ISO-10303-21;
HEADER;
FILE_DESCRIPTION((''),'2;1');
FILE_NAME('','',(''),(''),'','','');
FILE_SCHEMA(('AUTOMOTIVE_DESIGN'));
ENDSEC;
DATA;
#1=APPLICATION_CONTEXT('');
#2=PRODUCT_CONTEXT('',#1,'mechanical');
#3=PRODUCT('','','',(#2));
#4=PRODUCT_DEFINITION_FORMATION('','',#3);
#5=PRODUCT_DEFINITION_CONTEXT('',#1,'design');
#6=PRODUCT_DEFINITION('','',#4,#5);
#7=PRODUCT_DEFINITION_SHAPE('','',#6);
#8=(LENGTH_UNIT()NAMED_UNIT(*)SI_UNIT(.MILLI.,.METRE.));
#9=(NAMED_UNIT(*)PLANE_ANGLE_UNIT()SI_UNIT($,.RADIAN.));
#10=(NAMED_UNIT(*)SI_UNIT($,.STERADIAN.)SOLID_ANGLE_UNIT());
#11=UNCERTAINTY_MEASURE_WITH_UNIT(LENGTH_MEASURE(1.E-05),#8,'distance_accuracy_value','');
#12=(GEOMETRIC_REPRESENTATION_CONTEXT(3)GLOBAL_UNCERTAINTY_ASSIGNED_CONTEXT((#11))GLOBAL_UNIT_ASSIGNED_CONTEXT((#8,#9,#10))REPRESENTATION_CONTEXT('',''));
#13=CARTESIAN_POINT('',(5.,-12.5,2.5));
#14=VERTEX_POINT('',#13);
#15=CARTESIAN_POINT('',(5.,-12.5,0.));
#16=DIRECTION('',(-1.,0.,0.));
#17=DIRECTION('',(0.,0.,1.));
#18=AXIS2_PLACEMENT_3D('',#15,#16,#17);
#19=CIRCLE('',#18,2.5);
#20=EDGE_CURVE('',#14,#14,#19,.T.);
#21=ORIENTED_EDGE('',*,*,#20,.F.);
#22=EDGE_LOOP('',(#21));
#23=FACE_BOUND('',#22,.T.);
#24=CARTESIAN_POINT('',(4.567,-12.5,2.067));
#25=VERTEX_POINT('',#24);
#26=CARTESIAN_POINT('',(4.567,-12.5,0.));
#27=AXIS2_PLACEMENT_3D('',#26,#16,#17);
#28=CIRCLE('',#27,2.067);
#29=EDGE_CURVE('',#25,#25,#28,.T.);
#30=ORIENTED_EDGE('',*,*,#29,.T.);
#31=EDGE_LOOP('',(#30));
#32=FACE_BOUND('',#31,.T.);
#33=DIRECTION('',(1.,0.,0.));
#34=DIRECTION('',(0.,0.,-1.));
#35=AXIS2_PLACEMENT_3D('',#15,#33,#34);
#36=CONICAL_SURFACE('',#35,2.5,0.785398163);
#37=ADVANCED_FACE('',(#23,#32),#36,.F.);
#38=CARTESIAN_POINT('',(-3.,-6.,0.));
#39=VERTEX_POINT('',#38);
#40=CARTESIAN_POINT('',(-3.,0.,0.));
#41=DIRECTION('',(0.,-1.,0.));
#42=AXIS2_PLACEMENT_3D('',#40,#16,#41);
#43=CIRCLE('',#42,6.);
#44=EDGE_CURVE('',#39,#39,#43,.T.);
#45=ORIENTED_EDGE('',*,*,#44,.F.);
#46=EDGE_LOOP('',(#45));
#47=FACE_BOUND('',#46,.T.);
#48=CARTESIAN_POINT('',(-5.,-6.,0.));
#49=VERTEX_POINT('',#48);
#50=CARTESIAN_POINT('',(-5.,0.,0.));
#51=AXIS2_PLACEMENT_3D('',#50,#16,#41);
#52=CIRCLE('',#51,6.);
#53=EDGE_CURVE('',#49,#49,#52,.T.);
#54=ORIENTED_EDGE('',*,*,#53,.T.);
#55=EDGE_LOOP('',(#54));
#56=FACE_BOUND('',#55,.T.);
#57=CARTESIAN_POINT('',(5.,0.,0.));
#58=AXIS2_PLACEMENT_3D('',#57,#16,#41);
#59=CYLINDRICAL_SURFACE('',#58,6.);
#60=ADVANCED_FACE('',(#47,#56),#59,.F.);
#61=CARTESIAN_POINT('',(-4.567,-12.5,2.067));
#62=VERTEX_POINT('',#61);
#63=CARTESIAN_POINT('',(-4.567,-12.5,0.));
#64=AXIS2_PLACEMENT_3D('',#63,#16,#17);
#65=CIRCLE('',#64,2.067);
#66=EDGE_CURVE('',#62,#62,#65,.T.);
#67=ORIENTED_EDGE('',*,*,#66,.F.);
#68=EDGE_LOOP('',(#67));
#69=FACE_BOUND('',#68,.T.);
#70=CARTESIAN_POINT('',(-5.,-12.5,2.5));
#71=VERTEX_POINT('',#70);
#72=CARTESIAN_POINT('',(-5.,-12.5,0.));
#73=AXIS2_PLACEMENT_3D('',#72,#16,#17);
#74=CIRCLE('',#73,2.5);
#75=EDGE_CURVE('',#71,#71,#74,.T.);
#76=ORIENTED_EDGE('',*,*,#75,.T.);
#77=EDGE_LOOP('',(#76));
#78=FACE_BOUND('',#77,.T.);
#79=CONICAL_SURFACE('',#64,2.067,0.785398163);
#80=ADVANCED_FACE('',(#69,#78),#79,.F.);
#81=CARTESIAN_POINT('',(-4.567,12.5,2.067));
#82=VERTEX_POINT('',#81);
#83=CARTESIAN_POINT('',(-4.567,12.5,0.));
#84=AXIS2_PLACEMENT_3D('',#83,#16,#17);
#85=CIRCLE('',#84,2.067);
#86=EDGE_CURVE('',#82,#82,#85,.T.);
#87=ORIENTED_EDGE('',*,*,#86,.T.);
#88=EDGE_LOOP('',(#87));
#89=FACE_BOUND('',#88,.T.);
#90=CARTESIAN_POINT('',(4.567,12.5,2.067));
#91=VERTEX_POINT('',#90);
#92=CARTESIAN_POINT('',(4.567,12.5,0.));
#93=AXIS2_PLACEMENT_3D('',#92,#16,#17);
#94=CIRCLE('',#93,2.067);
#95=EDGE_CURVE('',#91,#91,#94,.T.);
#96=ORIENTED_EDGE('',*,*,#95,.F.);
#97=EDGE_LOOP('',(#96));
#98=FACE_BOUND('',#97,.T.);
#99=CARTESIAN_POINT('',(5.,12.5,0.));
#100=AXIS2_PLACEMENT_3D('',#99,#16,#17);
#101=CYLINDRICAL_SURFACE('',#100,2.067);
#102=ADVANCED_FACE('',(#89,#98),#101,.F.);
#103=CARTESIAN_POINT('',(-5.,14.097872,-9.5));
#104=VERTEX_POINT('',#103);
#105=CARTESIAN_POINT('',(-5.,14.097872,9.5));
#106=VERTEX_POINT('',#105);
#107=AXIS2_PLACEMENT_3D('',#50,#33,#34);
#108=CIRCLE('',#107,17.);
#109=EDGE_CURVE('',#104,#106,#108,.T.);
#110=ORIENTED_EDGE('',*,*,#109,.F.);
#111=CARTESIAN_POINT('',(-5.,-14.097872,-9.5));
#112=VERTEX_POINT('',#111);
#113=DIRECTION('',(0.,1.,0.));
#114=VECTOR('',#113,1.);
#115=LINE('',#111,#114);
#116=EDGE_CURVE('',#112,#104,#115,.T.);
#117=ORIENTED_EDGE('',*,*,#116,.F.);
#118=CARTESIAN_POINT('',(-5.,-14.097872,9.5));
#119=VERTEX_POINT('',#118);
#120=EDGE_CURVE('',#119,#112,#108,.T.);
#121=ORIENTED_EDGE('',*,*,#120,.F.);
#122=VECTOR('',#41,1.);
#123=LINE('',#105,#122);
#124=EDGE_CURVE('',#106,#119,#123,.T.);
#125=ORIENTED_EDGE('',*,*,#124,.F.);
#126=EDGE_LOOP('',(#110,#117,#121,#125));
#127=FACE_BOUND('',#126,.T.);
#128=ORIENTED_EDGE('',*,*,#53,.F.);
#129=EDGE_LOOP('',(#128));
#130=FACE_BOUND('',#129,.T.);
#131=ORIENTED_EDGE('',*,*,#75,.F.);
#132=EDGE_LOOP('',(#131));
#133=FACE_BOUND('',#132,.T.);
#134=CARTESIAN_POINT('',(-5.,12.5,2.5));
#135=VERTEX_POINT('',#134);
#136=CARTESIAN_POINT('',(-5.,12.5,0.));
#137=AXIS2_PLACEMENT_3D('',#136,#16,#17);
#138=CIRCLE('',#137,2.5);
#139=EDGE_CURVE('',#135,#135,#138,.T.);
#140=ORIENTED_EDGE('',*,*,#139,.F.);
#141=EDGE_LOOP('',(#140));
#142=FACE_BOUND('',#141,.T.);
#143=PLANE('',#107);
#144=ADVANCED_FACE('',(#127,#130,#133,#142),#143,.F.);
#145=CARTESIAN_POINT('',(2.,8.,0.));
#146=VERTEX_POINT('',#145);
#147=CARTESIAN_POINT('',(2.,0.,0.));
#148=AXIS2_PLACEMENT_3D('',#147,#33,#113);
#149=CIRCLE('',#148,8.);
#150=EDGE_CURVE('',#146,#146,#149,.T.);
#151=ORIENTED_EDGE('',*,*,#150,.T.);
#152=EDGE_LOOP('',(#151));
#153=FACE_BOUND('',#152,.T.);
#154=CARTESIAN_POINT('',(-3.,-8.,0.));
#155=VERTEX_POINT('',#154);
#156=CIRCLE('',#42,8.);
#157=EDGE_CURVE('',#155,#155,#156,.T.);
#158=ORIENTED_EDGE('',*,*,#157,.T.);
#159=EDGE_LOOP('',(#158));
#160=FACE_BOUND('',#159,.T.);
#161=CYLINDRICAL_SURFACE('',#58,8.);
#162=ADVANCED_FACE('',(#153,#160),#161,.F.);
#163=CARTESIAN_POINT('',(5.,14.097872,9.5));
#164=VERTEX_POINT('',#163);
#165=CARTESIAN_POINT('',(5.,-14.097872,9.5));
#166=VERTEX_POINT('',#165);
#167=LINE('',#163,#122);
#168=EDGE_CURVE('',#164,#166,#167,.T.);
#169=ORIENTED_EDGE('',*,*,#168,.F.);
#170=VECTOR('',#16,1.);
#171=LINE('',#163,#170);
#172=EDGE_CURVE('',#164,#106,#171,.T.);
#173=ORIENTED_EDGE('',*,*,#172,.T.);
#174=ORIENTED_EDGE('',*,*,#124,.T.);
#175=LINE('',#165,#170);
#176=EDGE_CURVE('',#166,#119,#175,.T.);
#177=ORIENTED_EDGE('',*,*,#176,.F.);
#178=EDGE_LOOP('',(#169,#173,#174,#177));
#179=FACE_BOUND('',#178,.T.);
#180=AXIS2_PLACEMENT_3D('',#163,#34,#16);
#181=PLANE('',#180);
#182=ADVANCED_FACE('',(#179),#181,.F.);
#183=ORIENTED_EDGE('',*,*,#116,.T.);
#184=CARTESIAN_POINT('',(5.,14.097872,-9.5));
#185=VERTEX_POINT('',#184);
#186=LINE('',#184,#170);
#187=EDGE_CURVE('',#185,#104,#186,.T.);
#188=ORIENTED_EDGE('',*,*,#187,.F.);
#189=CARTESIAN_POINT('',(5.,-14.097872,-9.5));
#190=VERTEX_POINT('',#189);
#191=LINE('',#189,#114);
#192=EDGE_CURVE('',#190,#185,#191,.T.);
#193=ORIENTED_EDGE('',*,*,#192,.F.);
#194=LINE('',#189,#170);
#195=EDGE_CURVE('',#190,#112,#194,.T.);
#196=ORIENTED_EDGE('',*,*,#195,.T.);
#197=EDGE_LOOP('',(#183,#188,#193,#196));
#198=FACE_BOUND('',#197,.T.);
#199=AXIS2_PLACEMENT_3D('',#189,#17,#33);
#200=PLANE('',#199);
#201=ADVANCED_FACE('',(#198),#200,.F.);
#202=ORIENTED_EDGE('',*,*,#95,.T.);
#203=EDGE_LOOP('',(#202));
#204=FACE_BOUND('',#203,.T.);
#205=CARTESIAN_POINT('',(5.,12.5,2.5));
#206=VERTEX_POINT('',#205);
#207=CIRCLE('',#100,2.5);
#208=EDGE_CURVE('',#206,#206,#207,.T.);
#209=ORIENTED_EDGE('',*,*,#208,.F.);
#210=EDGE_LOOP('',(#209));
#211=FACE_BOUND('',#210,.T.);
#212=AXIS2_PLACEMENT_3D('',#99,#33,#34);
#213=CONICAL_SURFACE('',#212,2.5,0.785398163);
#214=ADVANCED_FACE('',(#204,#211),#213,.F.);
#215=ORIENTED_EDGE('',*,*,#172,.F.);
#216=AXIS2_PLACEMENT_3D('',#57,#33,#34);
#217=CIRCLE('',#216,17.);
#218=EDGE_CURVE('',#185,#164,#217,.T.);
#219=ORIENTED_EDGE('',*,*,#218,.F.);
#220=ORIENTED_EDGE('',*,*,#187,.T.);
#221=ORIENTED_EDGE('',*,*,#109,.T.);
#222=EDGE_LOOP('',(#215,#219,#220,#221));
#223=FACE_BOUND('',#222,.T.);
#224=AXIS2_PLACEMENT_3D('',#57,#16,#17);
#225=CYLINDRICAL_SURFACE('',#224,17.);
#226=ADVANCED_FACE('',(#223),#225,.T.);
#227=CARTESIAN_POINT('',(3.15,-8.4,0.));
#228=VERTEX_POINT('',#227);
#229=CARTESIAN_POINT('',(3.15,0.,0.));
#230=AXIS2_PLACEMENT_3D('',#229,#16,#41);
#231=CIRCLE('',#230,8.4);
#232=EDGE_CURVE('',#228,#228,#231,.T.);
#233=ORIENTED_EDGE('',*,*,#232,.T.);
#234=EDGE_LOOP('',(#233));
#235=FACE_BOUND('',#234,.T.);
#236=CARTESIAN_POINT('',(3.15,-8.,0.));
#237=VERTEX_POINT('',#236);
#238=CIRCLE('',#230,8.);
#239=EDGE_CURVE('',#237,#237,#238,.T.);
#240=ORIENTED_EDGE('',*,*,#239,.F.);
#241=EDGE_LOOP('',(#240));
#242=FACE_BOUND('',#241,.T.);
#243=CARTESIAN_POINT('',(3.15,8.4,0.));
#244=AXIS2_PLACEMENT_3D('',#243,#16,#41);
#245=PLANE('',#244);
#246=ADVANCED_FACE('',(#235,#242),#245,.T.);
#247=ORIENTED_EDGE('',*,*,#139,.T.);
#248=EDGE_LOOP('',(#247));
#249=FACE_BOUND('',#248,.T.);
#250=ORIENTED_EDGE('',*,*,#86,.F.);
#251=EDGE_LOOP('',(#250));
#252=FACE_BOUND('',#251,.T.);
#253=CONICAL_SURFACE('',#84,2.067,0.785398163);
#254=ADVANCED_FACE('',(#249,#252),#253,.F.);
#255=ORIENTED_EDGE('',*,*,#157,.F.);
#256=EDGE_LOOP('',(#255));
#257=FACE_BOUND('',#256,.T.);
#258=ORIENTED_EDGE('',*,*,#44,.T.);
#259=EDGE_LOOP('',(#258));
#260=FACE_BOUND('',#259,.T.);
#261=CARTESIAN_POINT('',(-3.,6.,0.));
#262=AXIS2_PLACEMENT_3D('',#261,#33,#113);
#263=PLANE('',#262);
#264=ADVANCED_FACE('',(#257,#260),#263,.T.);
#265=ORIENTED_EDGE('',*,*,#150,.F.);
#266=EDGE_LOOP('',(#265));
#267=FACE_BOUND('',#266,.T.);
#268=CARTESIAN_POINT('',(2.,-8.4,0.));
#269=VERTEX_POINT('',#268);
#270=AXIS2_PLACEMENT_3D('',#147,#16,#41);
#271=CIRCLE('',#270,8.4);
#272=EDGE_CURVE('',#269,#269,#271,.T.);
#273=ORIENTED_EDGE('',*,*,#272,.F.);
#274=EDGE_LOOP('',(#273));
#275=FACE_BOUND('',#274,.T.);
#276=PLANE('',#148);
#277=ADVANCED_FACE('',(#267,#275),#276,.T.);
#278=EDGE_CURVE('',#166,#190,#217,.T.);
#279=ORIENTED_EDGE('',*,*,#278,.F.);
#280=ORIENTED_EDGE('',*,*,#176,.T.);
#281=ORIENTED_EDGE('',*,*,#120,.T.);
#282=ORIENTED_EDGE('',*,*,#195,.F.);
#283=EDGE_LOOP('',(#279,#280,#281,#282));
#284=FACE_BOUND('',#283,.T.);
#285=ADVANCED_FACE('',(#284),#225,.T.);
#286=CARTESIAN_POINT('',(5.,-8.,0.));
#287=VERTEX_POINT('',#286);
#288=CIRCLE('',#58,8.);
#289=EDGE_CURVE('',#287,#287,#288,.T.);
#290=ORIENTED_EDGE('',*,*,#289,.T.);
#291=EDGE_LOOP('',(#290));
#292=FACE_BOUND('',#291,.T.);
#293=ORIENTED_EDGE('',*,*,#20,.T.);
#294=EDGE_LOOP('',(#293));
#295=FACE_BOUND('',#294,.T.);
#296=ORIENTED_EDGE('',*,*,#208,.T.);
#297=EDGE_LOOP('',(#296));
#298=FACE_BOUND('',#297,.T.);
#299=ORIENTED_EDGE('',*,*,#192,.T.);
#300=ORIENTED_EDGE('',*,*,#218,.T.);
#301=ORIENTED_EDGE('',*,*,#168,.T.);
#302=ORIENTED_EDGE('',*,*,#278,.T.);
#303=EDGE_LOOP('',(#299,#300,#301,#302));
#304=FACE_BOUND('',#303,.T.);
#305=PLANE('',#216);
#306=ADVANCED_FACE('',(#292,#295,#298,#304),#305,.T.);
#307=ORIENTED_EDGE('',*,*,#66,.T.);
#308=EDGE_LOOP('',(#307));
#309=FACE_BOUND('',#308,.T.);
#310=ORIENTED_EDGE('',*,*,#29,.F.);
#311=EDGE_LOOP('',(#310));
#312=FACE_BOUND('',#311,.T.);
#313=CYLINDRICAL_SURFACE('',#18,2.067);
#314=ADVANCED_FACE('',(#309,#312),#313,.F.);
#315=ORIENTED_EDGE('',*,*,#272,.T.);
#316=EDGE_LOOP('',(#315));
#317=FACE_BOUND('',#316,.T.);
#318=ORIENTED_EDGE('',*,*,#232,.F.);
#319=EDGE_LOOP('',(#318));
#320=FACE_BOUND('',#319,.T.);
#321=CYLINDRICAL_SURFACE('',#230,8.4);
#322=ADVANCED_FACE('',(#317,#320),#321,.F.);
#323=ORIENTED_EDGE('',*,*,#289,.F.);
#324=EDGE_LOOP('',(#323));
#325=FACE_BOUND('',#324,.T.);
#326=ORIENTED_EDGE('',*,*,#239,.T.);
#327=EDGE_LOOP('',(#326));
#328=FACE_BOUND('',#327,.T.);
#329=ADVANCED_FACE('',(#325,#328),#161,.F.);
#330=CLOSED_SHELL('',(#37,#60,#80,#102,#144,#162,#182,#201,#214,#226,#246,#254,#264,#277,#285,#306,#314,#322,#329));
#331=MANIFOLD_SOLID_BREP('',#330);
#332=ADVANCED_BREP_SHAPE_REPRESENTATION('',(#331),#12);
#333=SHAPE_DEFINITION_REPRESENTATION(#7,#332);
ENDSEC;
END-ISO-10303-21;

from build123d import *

# Parameters (mm, degrees)
BOSS_EXTRUDE1_DEPTH      = 5
BOSS_EXTRUDE1_DEPTH_BACK = 5
SKETCH3_W                = 1.15
SKETCH3_H                = 8.4


with BuildPart() as part:
    # Sketch1 → Boss-Extrude1 (new, two sides: drawn at the far end of the back side and taken through both)
    with BuildSketch(Plane(origin=(0, 0, 0), x_dir=(0, 0, -1), z_dir=(1, 0, 0)).offset(-BOSS_EXTRUDE1_DEPTH_BACK)):
        with BuildLine():
            Line((9.5, -14.09787218), (9.5, 14.09787218))
            ThreePointArc((9.5, 14.09787218), (0, 17), (-9.5, 14.09787218))
            Line((-9.5, 14.09787218), (-9.5, -14.09787218))
            ThreePointArc((-9.5, -14.09787218), (0, -17), (9.5, -14.09787218))
        make_face()
    extrude(amount=BOSS_EXTRUDE1_DEPTH + BOSS_EXTRUDE1_DEPTH_BACK)

    # Sketch2 → Cut-Revolve1 (revolve, cut)
    with BuildSketch(Plane.XY):
        Polygon((-5, 0), (-5, 6), (-3, 6), (-3, 8), (5, 8), (5, 0), align=None)
    revolve(axis=Axis((5, 0, 0), (-1, 0, 0)), mode=Mode.SUBTRACT)

    # Sketch3 → Cut-Revolve2 (revolve, cut)
    with BuildSketch(Plane.XY):
        with Locations((2.575, 4.2)):
            Rectangle(SKETCH3_W, SKETCH3_H)
    revolve(axis=Axis((3.15, 0, 0), (-1, 0, 0)), mode=Mode.SUBTRACT)

    # Sketch4 → Cut-Revolve3 (revolve, cut)
    with BuildSketch(Plane.XY):
        Polygon((-5, -12.5), (-5, -10), (-4.567, -10.433), (4.567, -10.433), (5, -10), (5, -12.5), align=None)
    revolve(axis=Axis((5, -12.5, 0), (-1, 0, 0)), mode=Mode.SUBTRACT)

    # Sketch5 → Cut-Revolve4 (revolve, cut)
    with BuildSketch(Plane.XY):
        Polygon((-5, 12.5), (-5, 15), (-4.567, 14.567), (4.567, 14.567), (5, 15), (5, 12.5), align=None)
    revolve(axis=Axis((5, 12.5, 0), (-1, 0, 0)), mode=Mode.SUBTRACT)


solid = part.part
